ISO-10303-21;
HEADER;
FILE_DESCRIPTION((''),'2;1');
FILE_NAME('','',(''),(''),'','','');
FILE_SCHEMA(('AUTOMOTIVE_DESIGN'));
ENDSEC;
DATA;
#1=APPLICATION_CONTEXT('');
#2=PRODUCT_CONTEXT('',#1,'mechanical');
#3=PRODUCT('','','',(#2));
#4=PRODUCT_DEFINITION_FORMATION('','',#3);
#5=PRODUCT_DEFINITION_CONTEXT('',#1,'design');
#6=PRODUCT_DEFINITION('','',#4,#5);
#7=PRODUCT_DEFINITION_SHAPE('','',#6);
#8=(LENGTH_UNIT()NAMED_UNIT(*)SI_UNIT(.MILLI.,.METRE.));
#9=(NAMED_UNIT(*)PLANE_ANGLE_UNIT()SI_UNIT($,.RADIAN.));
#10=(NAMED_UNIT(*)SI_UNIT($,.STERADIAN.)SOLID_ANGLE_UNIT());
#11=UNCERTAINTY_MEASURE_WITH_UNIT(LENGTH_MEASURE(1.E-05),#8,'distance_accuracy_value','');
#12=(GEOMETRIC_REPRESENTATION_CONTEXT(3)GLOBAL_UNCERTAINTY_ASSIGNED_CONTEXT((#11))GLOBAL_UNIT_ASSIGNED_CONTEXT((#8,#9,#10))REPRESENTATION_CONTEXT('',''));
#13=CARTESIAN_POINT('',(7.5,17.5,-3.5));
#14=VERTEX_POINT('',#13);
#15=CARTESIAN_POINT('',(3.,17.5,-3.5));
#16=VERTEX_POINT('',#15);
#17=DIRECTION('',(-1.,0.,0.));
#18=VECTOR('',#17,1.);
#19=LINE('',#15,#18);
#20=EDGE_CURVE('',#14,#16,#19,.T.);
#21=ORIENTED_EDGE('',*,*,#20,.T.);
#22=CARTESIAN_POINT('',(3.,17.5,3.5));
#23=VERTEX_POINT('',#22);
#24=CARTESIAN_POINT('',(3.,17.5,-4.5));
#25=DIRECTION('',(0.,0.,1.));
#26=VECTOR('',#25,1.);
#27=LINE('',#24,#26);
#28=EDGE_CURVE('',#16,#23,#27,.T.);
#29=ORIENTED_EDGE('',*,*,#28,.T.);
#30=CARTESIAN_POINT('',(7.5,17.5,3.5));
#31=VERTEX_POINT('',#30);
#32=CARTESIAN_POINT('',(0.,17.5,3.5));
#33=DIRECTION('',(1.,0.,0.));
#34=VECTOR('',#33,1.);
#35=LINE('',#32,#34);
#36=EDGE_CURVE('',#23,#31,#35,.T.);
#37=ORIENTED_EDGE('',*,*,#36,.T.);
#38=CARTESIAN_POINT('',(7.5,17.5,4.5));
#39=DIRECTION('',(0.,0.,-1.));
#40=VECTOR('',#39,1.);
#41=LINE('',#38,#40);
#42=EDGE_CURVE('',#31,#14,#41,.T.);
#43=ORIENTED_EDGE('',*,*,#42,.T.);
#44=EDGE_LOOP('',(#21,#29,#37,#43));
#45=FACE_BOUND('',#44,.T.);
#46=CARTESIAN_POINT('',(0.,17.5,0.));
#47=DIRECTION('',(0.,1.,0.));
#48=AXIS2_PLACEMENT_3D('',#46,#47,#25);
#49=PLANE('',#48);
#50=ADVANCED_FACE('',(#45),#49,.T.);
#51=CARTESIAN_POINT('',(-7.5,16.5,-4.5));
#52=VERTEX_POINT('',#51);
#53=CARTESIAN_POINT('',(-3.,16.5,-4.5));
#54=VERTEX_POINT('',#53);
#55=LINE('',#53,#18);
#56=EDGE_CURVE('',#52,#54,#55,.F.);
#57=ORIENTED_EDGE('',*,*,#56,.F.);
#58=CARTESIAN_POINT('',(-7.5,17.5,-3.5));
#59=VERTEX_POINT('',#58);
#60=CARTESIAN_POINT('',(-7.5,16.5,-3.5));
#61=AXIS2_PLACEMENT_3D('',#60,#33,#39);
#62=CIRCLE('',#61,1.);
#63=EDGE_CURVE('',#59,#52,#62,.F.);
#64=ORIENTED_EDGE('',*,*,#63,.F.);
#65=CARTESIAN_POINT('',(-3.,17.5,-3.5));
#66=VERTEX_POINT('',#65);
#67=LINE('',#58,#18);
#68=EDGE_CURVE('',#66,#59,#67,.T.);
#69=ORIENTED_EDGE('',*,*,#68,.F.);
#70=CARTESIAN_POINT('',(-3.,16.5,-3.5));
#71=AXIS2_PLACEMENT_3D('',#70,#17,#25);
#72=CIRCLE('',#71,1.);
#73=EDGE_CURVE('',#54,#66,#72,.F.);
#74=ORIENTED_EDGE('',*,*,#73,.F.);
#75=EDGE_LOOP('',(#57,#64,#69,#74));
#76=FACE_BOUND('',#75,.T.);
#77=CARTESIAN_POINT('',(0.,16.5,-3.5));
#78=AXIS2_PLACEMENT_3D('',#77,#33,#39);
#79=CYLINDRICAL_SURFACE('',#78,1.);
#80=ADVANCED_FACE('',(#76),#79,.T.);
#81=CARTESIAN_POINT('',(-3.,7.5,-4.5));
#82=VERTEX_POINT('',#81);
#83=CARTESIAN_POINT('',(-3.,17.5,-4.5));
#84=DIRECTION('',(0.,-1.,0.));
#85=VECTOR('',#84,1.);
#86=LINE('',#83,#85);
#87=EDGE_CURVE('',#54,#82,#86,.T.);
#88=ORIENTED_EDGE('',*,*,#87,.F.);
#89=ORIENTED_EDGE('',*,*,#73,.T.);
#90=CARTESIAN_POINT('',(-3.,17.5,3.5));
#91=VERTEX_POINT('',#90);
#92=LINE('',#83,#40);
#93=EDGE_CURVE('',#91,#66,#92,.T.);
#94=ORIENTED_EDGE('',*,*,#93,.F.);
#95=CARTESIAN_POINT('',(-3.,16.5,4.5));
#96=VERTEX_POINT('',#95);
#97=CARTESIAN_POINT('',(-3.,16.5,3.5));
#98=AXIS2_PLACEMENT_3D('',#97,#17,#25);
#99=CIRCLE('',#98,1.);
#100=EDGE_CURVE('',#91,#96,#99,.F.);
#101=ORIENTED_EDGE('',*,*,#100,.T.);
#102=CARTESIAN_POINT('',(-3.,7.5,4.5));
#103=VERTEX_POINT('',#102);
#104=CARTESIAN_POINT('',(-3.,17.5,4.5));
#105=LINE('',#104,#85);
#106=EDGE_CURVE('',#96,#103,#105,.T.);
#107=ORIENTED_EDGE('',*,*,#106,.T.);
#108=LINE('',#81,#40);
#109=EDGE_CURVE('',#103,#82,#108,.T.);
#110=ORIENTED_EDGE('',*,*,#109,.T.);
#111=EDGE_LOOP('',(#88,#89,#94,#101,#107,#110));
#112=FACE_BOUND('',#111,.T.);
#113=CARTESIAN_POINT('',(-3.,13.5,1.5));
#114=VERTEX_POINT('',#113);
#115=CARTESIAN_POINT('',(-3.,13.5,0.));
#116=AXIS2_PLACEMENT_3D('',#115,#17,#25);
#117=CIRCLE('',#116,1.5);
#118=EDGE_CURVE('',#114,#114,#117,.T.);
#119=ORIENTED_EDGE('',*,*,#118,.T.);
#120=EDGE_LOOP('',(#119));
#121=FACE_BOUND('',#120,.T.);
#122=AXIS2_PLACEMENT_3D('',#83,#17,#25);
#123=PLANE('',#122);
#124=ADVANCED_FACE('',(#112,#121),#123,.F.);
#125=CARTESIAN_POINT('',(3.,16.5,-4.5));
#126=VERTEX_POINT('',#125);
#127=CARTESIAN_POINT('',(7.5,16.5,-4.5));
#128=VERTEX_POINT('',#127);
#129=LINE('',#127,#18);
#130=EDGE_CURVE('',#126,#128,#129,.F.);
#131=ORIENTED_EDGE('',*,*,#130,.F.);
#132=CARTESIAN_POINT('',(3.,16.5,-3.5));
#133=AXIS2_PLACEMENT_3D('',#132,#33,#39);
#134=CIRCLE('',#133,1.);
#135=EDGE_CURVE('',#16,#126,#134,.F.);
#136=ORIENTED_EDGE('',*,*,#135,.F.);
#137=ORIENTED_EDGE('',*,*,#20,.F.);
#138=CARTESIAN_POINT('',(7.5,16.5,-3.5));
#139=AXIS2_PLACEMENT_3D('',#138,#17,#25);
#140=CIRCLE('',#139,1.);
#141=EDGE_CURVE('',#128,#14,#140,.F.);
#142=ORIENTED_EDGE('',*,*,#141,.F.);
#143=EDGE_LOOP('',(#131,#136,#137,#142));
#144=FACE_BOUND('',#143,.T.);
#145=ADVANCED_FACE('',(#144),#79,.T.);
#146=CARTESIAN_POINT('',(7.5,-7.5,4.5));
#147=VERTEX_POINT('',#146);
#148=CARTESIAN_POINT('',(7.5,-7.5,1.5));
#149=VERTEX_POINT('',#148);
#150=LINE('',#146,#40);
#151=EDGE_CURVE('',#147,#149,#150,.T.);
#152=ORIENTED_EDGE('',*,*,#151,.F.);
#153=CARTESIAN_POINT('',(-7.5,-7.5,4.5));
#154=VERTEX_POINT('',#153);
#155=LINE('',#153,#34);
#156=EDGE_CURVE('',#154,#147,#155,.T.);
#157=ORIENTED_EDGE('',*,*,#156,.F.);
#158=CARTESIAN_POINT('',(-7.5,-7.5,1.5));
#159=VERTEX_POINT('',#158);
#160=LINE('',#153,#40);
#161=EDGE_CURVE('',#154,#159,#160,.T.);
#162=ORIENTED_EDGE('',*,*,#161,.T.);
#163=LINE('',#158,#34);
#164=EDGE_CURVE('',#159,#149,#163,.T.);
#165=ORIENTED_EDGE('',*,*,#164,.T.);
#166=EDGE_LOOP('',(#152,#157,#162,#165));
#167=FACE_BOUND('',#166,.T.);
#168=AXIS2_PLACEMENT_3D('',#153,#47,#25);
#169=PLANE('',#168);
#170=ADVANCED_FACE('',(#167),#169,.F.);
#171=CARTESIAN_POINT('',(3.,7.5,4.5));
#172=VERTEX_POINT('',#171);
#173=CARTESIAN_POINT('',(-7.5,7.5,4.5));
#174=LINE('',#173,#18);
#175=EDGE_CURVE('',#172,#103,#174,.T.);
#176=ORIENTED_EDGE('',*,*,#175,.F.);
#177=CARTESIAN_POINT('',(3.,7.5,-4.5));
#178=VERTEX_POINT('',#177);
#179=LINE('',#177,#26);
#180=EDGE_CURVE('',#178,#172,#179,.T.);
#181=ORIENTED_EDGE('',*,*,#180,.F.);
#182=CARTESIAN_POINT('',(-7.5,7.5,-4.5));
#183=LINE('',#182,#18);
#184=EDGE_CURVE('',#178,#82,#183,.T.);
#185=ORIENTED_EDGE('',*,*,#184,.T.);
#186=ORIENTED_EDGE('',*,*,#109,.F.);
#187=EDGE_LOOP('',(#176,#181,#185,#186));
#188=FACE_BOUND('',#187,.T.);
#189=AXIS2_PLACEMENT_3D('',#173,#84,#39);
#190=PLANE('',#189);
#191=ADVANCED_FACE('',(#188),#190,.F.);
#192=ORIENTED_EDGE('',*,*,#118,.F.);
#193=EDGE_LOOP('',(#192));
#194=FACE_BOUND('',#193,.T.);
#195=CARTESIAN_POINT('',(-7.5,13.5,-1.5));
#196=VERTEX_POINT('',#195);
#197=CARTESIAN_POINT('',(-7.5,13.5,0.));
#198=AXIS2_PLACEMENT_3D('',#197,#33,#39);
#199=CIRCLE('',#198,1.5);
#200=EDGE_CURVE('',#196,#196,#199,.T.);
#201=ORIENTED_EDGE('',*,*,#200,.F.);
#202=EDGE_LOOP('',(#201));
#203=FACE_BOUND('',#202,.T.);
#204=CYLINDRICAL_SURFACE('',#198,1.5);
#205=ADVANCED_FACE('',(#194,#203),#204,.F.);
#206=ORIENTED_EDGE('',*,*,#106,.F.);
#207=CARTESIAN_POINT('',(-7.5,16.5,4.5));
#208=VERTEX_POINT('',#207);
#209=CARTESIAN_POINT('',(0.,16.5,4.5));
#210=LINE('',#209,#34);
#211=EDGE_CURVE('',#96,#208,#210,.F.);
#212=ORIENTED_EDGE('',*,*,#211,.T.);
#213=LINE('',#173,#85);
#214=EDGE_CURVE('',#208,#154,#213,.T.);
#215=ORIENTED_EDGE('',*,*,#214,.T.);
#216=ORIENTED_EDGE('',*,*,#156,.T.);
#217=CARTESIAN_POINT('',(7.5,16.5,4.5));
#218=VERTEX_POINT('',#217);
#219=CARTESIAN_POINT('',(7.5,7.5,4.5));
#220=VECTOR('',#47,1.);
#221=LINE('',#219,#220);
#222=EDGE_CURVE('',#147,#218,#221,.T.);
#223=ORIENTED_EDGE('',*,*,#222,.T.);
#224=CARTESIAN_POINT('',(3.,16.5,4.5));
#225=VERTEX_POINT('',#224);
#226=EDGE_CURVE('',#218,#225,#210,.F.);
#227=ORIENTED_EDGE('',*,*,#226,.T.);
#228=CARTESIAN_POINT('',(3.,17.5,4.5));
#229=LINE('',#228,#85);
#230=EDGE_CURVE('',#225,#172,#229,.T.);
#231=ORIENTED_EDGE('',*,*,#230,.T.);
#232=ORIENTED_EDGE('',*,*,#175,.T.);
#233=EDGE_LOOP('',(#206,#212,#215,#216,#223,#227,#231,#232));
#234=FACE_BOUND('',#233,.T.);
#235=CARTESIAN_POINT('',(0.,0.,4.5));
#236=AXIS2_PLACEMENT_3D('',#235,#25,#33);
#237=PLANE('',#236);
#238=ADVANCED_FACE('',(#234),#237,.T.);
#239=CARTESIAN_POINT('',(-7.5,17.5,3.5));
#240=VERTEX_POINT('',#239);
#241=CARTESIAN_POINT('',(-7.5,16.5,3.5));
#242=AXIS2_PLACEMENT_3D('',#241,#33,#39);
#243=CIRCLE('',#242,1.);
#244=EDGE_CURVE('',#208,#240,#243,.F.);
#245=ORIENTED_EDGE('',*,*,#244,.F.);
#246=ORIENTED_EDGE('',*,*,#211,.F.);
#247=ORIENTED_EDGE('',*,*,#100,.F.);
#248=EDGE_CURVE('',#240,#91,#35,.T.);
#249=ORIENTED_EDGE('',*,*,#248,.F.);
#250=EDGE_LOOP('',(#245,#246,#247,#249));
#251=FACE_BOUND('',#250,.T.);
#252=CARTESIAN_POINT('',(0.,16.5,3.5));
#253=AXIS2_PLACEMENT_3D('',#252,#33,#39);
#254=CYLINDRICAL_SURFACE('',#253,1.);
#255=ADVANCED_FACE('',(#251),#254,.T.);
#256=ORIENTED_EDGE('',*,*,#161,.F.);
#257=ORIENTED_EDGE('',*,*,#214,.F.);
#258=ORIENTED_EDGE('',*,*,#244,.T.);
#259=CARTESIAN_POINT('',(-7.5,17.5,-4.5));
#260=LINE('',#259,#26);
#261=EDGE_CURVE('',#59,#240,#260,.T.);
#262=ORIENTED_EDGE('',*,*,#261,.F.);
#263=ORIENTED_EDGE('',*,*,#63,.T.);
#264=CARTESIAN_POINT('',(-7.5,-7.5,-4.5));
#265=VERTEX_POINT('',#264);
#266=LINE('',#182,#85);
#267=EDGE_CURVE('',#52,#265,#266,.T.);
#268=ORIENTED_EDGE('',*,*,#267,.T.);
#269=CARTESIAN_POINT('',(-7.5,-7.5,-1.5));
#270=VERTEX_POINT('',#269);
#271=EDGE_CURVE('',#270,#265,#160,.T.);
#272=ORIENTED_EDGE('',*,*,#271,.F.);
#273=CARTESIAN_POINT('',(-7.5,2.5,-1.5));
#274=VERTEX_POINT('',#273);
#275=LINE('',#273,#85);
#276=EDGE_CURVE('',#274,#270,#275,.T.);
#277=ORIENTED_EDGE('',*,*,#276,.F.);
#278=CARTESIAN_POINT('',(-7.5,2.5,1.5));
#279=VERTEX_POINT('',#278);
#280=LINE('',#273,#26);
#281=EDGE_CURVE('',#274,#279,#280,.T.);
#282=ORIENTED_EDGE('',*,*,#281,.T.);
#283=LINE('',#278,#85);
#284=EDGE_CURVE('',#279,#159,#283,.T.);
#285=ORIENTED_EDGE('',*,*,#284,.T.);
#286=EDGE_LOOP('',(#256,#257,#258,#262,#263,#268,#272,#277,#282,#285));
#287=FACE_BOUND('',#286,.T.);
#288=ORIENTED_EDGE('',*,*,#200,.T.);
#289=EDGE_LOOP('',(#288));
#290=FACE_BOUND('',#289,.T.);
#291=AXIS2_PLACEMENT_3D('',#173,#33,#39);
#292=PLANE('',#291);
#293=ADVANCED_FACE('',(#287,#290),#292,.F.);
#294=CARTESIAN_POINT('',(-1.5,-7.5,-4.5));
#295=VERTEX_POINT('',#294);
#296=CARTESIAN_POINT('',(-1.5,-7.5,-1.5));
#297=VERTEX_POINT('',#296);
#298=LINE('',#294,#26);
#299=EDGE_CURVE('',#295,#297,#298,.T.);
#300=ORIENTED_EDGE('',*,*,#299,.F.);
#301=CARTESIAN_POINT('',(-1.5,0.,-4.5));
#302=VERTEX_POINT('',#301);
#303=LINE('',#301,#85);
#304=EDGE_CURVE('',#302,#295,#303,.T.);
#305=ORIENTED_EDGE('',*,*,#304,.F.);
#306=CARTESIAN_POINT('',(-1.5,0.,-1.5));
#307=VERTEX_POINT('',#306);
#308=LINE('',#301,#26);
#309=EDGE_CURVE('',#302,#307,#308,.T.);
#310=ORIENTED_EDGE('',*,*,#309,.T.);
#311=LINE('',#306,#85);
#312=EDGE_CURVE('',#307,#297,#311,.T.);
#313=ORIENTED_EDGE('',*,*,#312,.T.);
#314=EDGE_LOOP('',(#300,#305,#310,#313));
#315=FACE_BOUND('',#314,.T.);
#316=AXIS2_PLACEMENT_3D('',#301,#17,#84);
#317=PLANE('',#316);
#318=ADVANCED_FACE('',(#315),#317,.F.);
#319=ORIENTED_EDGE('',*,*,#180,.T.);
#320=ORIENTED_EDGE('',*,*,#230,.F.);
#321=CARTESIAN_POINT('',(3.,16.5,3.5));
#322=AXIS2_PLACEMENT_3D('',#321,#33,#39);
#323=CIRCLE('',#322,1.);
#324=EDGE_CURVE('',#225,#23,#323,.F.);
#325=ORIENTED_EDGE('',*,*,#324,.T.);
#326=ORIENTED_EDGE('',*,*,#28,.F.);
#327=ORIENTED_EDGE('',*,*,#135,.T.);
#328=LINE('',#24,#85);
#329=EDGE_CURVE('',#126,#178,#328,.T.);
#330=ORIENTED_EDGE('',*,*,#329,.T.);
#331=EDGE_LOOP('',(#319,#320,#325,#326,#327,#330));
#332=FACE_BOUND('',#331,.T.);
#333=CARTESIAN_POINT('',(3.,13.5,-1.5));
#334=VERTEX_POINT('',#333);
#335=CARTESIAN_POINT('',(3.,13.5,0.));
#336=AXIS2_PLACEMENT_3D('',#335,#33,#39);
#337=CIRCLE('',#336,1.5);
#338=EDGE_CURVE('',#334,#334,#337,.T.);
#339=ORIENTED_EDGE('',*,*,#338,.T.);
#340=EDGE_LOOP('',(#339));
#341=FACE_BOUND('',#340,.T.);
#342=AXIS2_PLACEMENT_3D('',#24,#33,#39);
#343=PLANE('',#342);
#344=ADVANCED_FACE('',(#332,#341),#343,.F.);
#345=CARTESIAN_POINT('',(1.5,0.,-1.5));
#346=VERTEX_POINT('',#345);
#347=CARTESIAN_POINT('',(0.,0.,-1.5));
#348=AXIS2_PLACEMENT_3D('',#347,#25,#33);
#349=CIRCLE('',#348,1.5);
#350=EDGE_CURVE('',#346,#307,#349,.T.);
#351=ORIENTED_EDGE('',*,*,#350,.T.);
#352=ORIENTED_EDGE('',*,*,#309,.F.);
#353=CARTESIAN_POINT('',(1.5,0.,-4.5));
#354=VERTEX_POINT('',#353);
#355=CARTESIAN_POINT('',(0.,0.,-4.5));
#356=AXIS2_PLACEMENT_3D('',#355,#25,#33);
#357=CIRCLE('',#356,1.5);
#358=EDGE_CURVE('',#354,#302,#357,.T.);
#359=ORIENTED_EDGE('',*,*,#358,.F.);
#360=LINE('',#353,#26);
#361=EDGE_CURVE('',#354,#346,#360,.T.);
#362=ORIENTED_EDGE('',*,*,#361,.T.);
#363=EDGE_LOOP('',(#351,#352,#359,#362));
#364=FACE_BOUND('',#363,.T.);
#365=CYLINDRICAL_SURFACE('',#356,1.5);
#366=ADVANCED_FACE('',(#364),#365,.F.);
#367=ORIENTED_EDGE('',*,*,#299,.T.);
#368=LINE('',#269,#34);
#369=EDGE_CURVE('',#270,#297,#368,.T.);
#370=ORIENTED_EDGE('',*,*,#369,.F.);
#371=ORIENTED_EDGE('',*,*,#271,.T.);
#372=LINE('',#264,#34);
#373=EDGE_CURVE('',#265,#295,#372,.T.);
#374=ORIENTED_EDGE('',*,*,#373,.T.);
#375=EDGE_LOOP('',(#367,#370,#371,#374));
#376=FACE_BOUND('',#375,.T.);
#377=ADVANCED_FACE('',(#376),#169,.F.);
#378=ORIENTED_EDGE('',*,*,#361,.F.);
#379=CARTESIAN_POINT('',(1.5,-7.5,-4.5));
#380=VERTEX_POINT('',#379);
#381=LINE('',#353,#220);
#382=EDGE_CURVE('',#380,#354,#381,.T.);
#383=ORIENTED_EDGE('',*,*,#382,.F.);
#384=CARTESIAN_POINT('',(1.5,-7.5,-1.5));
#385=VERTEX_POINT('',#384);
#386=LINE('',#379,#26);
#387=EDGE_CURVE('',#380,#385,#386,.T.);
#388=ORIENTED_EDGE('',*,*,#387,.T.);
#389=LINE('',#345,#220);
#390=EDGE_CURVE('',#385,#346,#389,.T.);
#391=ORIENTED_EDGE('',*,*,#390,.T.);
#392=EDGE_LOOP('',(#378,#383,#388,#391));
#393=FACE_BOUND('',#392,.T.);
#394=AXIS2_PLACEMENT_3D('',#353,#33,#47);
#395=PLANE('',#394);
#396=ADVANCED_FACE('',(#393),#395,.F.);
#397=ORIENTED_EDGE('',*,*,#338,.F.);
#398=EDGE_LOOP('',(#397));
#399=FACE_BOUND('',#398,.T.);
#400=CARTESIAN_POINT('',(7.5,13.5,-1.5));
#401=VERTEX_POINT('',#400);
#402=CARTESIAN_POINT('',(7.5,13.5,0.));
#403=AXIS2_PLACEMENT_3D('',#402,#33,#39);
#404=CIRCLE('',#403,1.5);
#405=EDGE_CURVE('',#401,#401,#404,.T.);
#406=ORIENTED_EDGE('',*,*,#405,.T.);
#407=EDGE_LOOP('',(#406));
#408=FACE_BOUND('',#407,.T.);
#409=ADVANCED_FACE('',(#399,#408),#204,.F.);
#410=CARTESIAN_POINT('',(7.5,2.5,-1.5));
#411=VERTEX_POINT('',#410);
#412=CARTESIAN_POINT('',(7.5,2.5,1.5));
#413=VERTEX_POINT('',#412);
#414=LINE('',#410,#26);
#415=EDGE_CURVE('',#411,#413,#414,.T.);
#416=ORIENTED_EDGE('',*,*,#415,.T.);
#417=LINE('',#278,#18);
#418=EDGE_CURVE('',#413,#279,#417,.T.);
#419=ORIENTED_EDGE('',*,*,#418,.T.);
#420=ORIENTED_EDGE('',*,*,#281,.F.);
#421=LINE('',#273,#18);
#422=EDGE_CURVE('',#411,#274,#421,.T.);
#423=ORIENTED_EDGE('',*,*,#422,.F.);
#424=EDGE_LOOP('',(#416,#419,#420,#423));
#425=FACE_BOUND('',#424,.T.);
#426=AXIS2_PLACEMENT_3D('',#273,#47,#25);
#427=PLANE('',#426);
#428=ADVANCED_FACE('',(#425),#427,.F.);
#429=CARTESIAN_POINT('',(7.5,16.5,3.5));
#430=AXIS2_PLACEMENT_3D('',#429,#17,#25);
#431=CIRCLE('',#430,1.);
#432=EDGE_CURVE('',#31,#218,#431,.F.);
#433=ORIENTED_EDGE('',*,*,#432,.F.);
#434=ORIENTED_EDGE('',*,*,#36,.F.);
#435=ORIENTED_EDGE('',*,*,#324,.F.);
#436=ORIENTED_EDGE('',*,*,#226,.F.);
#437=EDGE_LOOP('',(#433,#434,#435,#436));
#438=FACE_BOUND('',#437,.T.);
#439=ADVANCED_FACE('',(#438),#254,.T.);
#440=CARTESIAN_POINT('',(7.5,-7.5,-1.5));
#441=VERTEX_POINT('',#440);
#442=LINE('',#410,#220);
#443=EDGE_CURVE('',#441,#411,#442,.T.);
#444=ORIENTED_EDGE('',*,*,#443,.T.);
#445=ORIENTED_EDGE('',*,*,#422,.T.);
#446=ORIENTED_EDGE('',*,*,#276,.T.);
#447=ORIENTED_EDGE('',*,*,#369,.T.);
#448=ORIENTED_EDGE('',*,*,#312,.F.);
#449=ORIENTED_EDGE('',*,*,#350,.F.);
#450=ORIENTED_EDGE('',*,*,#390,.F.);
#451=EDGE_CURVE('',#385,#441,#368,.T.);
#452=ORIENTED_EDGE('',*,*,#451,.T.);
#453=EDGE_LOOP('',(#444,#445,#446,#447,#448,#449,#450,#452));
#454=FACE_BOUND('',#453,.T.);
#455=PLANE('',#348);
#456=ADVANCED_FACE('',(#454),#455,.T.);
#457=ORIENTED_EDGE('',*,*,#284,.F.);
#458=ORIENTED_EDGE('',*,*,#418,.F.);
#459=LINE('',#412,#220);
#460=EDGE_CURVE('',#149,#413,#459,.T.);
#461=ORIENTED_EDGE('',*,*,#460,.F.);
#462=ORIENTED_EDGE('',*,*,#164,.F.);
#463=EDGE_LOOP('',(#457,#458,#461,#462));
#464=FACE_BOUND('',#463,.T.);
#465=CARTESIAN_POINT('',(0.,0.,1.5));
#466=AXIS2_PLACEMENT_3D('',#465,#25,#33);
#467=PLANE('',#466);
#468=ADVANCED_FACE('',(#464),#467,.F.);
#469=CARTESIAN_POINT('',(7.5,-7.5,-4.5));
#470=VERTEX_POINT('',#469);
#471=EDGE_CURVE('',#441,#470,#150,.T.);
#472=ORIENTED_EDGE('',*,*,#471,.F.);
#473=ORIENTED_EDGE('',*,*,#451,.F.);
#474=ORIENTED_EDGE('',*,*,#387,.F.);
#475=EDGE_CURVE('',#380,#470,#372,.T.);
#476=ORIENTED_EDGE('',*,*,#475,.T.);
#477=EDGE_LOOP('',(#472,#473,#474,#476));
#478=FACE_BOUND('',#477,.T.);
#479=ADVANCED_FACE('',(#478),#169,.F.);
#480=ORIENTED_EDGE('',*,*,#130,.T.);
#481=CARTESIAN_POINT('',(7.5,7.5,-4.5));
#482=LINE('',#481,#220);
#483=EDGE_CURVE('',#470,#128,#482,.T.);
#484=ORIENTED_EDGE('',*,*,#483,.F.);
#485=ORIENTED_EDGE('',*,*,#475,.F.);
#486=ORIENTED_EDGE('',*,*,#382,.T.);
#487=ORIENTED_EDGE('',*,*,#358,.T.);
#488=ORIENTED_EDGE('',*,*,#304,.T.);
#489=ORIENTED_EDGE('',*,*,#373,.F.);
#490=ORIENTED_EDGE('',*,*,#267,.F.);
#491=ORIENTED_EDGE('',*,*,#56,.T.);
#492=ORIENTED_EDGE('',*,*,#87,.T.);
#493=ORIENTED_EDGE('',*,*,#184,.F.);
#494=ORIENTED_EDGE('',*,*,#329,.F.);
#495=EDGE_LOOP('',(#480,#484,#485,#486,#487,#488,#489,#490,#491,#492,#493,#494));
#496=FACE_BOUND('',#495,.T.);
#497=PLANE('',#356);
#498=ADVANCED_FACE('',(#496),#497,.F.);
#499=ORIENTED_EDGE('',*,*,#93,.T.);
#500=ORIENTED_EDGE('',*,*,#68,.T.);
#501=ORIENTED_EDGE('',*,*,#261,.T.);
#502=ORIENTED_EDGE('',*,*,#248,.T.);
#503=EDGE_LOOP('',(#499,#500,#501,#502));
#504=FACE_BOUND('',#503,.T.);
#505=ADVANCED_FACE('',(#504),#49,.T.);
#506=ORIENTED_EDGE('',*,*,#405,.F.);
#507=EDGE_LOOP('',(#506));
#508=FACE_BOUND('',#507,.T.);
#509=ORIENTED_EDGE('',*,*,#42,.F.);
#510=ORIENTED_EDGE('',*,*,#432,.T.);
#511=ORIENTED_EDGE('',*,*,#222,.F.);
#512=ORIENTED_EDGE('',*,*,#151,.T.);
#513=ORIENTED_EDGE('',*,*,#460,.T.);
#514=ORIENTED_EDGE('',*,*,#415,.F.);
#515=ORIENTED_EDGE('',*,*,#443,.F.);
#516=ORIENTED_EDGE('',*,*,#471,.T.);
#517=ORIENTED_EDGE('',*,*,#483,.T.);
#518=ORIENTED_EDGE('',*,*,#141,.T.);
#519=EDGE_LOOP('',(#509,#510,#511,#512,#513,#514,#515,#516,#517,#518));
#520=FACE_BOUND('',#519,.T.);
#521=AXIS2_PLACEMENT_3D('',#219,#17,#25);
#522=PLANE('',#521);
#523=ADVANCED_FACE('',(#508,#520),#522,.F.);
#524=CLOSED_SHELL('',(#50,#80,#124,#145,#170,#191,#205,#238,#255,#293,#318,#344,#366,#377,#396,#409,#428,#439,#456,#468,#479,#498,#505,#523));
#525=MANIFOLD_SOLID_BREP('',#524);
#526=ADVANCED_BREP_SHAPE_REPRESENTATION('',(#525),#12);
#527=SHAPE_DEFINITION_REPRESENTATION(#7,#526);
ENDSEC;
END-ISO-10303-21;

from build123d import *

# Parameters (mm, degrees)
CROQUIS2_W                 = 15
CROQUIS2_H                 = 15
SALIENTE_EXTRUIR1_DEPTH    = 4.5
CROQUIS3_W                 = 15
CROQUIS3_H                 = 10
CORTAR_EXTRUIR1_DEPTH      = 1.5
CORTAR_EXTRUIR2_DEPTH      = 12.521718622
CROQUIS10_W                = 4.5
CROQUIS10_H                = 9
SALIENTE_EXTRUIR4_DEPTH    = 10
CORTAR_EXTRUIR3_DEPTH      = 20.563997547
CORTAR_EXTRUIR3_DEPTH_BACK = 20.563997547
CROQUIS7_R                 = 1.5
REDONDEO2_R                = 1


with BuildPart() as part:
    # Croquis2 → Saliente-Extruir1 (new, symmetric)
    with BuildSketch(Plane.XY):
        Rectangle(CROQUIS2_W, CROQUIS2_H)
    extrude(amount=SALIENTE_EXTRUIR1_DEPTH, both=True)

    # Croquis3 → Cortar-Extruir1 (cut, symmetric)
    with BuildSketch(Plane.XY):
        with Locations((0, -2.5)):
            Rectangle(CROQUIS3_W, CROQUIS3_H)
    extrude(amount=CORTAR_EXTRUIR1_DEPTH, both=True, mode=Mode.SUBTRACT)

    # Croquis4 → Cortar-Extruir2 (cut, through all)
    with BuildSketch(Plane.XY):
        with BuildLine():
            Line((-1.5, 0), (-1.5, -7.5))
            Line((-1.5, -7.5), (1.5, -7.5))
            Line((1.5, -7.5), (1.5, 0))
            ThreePointArc((1.5, 0), (0, 1.5), (-1.5, 0))
        make_face()
    extrude(amount=-CORTAR_EXTRUIR2_DEPTH, mode=Mode.SUBTRACT)

    # Croquis10 → Saliente-Extruir4 (add)
    with BuildSketch(Plane(origin=(0, 7.5, 0), x_dir=(1, 0, 0), z_dir=(0, 1, 0))):
        with Locations((-5.25, 0)):
            Rectangle(CROQUIS10_W, CROQUIS10_H)
        with Locations((5.25, 0)):
            Rectangle(CROQUIS10_W, CROQUIS10_H)
    extrude(amount=SALIENTE_EXTRUIR4_DEPTH)

    # Croquis7 → Cortar-Extruir3 (cut, two sides: drawn at the far end of the back side and taken through both)
    with BuildSketch(Plane(origin=(0, 0, 0), x_dir=(0, 0, -1), z_dir=(1, 0, 0)).offset(-CORTAR_EXTRUIR3_DEPTH_BACK)):
        with Locations((0, 13.5)):
            Circle(CROQUIS7_R)
    extrude(amount=CORTAR_EXTRUIR3_DEPTH + CORTAR_EXTRUIR3_DEPTH_BACK, mode=Mode.SUBTRACT)

    # Redondeo2
    redondeo2_edges = [part.edges().sort_by_distance(p)[0] for p in [
        (5.25, 17.5, -4.5),
        (5.25, 17.5, 4.5),
        (-5.25, 17.5, 4.5),
        (-5.25, 17.5, -4.5),
    ]]
    fillet(redondeo2_edges, radius=REDONDEO2_R)


solid = part.part
